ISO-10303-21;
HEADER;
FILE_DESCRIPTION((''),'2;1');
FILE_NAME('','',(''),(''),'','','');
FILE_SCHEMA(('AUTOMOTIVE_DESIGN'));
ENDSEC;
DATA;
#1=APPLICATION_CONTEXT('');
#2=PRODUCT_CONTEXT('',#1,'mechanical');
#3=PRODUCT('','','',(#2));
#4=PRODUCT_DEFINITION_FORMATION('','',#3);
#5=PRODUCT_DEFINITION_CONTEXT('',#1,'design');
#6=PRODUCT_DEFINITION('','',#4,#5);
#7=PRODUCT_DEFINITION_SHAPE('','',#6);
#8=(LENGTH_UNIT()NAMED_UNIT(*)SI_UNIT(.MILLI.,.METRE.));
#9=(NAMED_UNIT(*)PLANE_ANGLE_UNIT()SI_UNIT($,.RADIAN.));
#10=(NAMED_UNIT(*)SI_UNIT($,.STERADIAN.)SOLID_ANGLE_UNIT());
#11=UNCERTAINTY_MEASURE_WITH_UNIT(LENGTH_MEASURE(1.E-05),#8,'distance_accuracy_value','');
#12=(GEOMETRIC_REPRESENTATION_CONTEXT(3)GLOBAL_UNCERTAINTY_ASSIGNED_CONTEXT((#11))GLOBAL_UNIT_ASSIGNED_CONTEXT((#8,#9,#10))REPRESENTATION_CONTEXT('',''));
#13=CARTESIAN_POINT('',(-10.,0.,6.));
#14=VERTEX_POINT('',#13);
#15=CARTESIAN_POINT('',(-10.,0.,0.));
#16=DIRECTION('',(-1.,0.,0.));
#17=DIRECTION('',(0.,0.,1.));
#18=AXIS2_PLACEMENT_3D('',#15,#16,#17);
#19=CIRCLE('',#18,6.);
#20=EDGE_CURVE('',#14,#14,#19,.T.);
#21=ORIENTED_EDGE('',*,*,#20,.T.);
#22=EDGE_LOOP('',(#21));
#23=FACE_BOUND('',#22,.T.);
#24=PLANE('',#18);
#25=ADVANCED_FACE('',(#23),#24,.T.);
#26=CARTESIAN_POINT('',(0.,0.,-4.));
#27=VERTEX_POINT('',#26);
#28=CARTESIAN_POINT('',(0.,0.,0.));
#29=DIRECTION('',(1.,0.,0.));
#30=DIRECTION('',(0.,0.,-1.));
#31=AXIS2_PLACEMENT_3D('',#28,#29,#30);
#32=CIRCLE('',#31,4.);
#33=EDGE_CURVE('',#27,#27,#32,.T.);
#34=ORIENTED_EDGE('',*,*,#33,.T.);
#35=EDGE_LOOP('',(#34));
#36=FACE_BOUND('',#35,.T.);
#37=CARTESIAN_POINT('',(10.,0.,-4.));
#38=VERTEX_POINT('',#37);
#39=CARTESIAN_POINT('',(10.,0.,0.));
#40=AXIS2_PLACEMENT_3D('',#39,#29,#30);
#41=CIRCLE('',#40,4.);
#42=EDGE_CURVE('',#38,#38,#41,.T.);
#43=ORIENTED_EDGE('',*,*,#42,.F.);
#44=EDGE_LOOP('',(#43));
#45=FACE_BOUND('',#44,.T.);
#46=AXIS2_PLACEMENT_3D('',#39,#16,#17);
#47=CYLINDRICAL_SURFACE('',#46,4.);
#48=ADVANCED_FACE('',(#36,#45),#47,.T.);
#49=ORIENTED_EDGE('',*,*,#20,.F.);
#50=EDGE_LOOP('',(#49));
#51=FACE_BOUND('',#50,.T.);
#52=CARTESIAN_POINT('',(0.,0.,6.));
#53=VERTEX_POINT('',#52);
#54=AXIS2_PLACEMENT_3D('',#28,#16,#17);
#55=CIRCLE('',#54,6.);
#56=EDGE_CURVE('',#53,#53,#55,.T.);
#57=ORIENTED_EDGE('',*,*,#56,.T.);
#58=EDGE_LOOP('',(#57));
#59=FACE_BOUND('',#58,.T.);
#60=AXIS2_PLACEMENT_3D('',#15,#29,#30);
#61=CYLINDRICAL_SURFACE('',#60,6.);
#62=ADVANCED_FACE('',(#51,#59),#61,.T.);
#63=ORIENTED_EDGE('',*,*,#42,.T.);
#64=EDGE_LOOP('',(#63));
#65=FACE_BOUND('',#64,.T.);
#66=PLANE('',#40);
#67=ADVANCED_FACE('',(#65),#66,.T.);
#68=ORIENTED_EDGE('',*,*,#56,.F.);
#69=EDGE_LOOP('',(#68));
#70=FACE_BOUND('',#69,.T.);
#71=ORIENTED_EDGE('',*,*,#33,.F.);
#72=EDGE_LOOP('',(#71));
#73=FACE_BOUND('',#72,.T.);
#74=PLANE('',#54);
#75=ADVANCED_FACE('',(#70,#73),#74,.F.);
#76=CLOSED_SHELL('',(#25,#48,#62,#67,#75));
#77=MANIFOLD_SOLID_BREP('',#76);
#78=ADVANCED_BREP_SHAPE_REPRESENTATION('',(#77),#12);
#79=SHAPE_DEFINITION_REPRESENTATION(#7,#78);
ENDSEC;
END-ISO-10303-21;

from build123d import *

# Parameters (mm, degrees)
SKETCH1_R           = 4
BOSS_EXTRUDE1_DEPTH = 10
SKETCH2_R           = 6
BOSS_EXTRUDE2_DEPTH = 10


with BuildPart() as part:
    # Sketch1 → Boss-Extrude1 (new body)
    with BuildSketch(Plane(origin=(0, 0, 0), x_dir=(0, 0, -1), z_dir=(1, 0, 0))):
        Circle(SKETCH1_R)
    extrude(amount=BOSS_EXTRUDE1_DEPTH)

    # Sketch2 → Boss-Extrude2 (add)
    with BuildSketch(Plane.ZY):
        Circle(SKETCH2_R)
    extrude(amount=BOSS_EXTRUDE2_DEPTH)


solid = part.part
